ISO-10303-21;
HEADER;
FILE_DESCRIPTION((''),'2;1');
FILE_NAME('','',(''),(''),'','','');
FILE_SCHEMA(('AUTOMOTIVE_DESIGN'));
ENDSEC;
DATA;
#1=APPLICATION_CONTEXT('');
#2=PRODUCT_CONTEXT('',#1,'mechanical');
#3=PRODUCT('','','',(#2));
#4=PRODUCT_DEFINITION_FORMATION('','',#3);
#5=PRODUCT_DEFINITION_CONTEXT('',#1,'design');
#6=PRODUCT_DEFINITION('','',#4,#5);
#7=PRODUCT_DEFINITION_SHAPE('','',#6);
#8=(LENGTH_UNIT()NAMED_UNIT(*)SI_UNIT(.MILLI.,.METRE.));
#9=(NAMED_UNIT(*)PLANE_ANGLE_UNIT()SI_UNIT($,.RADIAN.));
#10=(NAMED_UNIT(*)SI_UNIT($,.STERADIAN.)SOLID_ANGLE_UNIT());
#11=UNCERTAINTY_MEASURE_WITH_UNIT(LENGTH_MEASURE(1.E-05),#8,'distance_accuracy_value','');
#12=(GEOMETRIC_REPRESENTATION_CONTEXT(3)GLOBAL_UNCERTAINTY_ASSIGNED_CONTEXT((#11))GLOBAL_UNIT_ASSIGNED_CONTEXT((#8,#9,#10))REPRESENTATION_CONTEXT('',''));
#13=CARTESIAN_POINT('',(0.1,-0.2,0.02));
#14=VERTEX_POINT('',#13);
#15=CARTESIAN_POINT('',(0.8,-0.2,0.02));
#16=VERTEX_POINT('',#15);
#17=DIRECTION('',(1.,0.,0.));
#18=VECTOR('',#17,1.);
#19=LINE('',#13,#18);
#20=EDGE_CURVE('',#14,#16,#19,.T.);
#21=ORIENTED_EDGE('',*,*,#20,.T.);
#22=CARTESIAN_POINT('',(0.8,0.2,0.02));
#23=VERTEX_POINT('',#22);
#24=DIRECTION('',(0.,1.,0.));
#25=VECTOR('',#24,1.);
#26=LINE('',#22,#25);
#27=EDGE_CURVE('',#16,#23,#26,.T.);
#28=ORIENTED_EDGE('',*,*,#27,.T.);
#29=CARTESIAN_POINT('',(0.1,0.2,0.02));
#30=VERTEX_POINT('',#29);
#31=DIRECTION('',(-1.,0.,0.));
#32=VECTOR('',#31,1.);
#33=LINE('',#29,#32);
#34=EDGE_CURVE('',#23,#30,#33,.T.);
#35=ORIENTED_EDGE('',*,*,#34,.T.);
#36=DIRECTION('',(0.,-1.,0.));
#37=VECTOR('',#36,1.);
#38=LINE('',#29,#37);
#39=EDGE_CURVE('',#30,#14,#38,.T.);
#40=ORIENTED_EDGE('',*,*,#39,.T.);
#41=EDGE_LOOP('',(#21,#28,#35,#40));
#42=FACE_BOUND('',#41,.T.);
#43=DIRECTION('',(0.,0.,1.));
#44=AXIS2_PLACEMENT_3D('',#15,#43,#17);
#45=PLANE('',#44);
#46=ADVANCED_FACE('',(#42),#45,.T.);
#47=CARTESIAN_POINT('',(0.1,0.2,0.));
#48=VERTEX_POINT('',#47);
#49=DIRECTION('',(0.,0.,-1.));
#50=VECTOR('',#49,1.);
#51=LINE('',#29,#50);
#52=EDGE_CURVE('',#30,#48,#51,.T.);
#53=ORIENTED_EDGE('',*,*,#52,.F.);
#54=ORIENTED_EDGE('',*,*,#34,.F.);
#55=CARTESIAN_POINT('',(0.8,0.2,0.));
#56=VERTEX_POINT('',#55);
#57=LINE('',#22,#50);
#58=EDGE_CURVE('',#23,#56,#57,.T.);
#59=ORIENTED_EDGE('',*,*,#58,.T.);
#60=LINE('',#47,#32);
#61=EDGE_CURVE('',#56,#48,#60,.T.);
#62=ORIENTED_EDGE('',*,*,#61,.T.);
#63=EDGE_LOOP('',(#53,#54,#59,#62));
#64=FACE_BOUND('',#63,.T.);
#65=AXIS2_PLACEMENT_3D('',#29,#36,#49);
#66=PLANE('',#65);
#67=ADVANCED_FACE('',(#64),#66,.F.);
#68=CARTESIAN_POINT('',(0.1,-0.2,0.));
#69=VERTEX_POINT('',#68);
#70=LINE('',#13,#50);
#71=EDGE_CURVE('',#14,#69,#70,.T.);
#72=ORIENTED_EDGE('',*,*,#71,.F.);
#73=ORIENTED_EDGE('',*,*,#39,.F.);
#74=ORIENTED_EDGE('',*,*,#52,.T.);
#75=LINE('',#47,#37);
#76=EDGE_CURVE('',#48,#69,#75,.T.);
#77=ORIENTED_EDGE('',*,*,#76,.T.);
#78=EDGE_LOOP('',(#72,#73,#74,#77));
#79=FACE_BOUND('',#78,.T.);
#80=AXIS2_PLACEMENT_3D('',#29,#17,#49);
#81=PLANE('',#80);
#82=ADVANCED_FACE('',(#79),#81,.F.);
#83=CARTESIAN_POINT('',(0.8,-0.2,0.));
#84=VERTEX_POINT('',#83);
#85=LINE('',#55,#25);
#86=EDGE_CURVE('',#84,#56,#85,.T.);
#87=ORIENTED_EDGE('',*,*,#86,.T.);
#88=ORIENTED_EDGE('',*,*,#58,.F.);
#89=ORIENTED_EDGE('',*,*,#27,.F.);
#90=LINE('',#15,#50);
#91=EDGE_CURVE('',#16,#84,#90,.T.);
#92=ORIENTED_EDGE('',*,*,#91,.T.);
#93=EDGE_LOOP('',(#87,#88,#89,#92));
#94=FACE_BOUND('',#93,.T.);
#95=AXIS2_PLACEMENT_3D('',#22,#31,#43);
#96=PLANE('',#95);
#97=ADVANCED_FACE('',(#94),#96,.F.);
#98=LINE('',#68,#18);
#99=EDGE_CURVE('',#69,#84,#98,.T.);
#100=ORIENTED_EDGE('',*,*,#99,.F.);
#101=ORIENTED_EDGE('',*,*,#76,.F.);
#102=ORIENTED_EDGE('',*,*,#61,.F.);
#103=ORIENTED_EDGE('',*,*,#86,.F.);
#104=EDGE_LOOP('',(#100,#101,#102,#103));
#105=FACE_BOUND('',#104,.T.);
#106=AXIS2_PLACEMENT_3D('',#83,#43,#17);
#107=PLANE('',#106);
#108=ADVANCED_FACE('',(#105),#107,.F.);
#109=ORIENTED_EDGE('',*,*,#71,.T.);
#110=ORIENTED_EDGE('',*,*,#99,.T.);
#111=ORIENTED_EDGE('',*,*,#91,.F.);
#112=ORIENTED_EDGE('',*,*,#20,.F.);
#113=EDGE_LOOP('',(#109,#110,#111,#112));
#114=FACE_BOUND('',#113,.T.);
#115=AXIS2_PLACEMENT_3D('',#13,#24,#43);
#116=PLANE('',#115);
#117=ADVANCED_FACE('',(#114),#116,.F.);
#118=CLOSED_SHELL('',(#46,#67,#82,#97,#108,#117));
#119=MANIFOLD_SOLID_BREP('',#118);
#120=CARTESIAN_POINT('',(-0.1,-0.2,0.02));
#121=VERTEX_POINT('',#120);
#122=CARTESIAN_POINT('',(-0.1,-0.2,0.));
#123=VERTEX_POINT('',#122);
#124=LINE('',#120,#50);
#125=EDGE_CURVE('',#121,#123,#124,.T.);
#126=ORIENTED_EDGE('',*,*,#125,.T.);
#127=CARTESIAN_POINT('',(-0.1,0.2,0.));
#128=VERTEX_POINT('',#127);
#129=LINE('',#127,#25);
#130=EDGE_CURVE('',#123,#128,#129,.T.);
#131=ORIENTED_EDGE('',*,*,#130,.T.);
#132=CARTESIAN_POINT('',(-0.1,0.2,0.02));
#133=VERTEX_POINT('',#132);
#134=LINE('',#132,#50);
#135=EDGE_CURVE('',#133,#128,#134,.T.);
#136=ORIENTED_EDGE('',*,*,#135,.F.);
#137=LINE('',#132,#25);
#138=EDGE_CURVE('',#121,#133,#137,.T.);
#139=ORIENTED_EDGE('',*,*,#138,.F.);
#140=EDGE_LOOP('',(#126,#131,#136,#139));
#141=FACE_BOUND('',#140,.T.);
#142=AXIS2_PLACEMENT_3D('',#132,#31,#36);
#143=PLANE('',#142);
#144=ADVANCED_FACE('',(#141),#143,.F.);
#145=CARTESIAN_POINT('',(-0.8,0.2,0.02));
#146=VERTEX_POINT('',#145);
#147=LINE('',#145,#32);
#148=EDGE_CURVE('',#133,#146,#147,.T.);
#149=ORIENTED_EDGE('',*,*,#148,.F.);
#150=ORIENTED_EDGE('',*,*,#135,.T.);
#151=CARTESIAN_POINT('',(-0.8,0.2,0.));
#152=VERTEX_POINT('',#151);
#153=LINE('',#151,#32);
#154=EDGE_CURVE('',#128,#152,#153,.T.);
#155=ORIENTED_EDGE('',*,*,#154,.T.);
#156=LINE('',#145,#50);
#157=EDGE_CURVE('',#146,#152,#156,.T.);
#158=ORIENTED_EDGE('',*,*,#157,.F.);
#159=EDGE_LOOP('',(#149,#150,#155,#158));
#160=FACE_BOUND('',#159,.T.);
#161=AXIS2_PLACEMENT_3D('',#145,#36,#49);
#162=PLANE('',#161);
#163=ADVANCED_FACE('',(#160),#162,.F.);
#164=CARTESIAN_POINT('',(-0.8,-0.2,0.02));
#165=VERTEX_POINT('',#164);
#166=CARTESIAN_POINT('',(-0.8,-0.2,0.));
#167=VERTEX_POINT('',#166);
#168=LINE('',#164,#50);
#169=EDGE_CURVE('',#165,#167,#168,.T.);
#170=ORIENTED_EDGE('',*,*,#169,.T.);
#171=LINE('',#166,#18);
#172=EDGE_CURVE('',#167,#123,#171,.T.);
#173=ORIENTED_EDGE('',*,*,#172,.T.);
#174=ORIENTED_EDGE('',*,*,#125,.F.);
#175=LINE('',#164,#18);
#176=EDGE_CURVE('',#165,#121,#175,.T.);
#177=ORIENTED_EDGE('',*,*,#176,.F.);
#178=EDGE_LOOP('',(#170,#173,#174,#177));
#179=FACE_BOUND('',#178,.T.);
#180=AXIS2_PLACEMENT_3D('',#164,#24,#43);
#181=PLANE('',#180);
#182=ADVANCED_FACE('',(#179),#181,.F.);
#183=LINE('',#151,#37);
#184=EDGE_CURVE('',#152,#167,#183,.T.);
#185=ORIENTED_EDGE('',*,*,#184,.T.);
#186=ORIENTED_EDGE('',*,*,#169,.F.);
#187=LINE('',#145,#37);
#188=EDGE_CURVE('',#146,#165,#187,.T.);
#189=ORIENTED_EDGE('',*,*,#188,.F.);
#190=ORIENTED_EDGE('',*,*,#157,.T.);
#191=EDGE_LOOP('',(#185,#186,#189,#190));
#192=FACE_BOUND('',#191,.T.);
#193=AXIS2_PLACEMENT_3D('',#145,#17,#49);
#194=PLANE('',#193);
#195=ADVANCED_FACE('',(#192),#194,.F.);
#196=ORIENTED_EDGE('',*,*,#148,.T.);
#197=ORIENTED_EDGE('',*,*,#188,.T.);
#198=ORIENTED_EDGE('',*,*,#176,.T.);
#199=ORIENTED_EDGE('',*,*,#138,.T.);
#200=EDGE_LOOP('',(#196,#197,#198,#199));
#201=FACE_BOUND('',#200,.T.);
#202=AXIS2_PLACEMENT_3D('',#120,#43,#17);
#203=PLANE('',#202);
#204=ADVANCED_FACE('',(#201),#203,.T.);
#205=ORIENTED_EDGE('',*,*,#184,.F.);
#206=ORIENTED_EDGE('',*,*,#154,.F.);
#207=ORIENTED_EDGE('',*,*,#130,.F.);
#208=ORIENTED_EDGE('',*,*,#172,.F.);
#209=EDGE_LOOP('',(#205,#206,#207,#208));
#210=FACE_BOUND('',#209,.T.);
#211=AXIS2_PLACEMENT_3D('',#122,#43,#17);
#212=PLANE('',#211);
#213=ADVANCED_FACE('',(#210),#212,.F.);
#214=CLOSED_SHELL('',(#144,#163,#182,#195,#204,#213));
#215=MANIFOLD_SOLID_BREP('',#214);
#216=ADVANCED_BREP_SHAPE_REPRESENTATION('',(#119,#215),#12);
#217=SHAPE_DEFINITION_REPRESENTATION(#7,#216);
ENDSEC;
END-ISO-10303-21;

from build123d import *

# Parameters (mm, degrees)
SKETCH_1_W        = 0.7
SKETCH_1_H        = 0.4
EXTRUDE_1_DEPTH   = 0.02
EXTRUDE_1_2_DEPTH = 0.02


with BuildPart() as part:
    # 草图1 → 凸台-拉伸1 (new body)
    with BuildSketch(Plane.XY):
        with Locations((-0.45, 0)):
            Rectangle(SKETCH_1_W, SKETCH_1_H)
    extrude(amount=EXTRUDE_1_DEPTH)


with BuildPart() as body_2:
    # 草图1 → Extrude 1 2 (new body)
    with BuildSketch(Plane.XY):
        with Locations((0.45, 0)):
            Rectangle(SKETCH_1_W, SKETCH_1_H)
    extrude(amount=EXTRUDE_1_2_DEPTH)


solid = Compound([part.part, body_2.part])
